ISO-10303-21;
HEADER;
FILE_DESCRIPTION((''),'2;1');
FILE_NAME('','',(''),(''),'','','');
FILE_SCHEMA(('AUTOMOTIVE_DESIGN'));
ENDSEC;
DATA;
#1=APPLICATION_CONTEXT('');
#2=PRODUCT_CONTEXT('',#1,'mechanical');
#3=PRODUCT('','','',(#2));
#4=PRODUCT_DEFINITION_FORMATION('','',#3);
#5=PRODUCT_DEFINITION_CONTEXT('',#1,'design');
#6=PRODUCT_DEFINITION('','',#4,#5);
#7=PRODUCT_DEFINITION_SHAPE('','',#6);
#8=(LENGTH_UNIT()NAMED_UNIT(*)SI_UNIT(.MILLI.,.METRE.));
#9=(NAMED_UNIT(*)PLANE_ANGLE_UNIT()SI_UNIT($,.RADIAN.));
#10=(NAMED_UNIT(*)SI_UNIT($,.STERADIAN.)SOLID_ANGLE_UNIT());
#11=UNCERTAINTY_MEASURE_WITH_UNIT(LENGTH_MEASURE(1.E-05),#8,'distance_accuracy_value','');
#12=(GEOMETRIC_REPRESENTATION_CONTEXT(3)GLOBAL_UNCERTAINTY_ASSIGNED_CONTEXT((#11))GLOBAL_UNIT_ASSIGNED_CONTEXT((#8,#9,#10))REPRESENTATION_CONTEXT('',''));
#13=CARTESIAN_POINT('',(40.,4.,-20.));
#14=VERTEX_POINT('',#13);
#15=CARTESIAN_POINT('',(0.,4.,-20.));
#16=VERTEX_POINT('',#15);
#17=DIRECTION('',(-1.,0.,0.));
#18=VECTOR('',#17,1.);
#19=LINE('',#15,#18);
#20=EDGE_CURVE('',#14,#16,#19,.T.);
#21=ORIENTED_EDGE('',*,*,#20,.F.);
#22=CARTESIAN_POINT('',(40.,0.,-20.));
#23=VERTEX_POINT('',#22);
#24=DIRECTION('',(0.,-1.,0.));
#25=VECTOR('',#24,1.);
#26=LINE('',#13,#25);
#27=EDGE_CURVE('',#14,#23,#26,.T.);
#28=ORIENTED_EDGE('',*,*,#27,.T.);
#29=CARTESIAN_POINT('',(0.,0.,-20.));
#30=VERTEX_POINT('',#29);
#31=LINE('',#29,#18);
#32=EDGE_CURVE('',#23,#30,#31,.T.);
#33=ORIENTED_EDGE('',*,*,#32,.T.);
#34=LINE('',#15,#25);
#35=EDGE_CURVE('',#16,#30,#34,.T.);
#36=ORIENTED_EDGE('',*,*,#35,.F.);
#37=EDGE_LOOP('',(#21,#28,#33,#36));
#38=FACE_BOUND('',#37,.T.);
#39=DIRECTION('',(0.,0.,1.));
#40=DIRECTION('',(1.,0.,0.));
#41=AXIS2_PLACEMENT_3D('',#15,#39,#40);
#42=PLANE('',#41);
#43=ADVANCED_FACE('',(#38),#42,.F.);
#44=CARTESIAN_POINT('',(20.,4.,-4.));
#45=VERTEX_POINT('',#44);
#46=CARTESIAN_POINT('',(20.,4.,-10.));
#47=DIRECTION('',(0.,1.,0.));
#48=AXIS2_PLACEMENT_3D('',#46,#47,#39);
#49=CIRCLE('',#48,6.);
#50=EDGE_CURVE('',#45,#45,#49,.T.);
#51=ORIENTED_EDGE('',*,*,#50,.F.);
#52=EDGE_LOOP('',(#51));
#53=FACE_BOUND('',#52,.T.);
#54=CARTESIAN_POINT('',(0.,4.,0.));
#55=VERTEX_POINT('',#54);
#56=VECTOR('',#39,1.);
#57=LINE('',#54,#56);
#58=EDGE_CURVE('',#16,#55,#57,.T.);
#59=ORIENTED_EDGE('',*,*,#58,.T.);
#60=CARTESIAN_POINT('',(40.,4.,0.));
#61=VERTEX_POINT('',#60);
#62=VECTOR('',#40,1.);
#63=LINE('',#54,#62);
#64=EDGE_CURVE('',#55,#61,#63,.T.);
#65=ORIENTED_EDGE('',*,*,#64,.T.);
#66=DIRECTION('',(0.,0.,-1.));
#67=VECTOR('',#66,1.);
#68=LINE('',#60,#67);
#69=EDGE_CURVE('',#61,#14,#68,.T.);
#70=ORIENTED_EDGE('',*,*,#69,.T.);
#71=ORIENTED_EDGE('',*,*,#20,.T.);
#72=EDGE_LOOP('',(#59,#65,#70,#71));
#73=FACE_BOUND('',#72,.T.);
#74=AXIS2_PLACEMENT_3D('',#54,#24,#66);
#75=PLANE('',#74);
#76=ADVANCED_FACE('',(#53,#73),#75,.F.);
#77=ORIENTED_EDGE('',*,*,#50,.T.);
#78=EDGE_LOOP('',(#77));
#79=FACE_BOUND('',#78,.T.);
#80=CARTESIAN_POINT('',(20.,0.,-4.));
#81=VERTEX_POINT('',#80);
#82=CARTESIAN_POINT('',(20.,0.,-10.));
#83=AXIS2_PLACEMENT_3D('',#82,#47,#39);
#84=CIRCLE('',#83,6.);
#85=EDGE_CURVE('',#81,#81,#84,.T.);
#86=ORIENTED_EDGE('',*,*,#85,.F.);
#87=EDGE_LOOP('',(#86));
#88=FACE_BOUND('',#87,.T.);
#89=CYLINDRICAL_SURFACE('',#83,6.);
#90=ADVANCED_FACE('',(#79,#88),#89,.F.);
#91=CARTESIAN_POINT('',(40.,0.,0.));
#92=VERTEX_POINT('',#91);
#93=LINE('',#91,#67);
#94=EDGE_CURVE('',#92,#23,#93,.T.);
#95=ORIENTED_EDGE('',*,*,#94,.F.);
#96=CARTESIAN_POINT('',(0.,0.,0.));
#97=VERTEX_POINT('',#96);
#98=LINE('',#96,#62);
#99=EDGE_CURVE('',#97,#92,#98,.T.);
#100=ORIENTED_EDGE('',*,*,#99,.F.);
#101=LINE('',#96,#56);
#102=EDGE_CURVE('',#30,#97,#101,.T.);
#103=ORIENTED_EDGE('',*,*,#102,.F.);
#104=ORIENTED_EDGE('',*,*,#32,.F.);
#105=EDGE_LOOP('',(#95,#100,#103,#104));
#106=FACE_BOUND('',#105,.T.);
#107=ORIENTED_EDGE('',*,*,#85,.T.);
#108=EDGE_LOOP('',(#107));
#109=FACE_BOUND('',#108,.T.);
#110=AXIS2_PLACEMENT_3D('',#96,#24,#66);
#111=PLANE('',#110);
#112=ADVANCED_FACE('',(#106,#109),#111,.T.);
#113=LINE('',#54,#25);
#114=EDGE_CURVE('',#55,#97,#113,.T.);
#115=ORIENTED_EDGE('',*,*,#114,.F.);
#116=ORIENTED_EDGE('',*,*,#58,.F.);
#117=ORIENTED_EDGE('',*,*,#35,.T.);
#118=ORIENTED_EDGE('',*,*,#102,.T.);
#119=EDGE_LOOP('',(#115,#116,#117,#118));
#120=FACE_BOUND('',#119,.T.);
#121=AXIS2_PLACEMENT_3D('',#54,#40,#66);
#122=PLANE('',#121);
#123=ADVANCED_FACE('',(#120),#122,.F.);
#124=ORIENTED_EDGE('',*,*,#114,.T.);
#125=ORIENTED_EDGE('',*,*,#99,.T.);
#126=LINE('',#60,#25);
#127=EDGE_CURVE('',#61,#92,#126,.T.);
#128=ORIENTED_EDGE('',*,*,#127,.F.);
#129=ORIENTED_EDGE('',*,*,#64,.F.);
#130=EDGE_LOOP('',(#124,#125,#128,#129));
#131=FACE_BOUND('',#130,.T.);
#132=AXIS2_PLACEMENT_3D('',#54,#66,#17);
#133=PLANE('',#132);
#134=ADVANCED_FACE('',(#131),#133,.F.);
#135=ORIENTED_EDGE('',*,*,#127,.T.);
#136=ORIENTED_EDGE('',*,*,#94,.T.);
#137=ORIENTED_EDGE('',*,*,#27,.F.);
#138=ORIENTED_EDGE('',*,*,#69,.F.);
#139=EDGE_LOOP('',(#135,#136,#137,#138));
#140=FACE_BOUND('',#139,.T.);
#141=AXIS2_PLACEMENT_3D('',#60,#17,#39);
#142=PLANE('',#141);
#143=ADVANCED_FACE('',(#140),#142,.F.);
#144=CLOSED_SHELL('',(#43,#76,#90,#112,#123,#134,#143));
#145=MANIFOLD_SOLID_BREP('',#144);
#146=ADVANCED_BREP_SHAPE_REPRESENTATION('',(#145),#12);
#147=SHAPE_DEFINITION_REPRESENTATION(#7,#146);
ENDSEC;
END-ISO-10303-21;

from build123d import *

# Parameters (mm, degrees)
SKETCH_1_W          = 40
SKETCH_1_H          = 20
EXTRUDE_1_DEPTH     = 4
SKETCH_2_R          = 6
CUT_EXTRUDE_1_DEPTH = 5


with BuildPart() as part:
    # Эскиз1 → Бобышка-Вытянуть1 (new body)
    with BuildSketch(Plane(origin=(0, 0, 0), x_dir=(1, 0, 0), z_dir=(0, 1, 0))):
        with Locations((20, 10)):
            Rectangle(SKETCH_1_W, SKETCH_1_H)
    extrude(amount=EXTRUDE_1_DEPTH)

    # Эскиз2 → Вырез-Вытянуть1 (cut, through all)
    with BuildSketch(Plane(origin=(0, 4, 0), x_dir=(1, 0, 0), z_dir=(0, 1, 0))):
        with Locations((20, 10)):
            Circle(SKETCH_2_R)
    extrude(amount=-CUT_EXTRUDE_1_DEPTH, mode=Mode.SUBTRACT)


solid = part.part
